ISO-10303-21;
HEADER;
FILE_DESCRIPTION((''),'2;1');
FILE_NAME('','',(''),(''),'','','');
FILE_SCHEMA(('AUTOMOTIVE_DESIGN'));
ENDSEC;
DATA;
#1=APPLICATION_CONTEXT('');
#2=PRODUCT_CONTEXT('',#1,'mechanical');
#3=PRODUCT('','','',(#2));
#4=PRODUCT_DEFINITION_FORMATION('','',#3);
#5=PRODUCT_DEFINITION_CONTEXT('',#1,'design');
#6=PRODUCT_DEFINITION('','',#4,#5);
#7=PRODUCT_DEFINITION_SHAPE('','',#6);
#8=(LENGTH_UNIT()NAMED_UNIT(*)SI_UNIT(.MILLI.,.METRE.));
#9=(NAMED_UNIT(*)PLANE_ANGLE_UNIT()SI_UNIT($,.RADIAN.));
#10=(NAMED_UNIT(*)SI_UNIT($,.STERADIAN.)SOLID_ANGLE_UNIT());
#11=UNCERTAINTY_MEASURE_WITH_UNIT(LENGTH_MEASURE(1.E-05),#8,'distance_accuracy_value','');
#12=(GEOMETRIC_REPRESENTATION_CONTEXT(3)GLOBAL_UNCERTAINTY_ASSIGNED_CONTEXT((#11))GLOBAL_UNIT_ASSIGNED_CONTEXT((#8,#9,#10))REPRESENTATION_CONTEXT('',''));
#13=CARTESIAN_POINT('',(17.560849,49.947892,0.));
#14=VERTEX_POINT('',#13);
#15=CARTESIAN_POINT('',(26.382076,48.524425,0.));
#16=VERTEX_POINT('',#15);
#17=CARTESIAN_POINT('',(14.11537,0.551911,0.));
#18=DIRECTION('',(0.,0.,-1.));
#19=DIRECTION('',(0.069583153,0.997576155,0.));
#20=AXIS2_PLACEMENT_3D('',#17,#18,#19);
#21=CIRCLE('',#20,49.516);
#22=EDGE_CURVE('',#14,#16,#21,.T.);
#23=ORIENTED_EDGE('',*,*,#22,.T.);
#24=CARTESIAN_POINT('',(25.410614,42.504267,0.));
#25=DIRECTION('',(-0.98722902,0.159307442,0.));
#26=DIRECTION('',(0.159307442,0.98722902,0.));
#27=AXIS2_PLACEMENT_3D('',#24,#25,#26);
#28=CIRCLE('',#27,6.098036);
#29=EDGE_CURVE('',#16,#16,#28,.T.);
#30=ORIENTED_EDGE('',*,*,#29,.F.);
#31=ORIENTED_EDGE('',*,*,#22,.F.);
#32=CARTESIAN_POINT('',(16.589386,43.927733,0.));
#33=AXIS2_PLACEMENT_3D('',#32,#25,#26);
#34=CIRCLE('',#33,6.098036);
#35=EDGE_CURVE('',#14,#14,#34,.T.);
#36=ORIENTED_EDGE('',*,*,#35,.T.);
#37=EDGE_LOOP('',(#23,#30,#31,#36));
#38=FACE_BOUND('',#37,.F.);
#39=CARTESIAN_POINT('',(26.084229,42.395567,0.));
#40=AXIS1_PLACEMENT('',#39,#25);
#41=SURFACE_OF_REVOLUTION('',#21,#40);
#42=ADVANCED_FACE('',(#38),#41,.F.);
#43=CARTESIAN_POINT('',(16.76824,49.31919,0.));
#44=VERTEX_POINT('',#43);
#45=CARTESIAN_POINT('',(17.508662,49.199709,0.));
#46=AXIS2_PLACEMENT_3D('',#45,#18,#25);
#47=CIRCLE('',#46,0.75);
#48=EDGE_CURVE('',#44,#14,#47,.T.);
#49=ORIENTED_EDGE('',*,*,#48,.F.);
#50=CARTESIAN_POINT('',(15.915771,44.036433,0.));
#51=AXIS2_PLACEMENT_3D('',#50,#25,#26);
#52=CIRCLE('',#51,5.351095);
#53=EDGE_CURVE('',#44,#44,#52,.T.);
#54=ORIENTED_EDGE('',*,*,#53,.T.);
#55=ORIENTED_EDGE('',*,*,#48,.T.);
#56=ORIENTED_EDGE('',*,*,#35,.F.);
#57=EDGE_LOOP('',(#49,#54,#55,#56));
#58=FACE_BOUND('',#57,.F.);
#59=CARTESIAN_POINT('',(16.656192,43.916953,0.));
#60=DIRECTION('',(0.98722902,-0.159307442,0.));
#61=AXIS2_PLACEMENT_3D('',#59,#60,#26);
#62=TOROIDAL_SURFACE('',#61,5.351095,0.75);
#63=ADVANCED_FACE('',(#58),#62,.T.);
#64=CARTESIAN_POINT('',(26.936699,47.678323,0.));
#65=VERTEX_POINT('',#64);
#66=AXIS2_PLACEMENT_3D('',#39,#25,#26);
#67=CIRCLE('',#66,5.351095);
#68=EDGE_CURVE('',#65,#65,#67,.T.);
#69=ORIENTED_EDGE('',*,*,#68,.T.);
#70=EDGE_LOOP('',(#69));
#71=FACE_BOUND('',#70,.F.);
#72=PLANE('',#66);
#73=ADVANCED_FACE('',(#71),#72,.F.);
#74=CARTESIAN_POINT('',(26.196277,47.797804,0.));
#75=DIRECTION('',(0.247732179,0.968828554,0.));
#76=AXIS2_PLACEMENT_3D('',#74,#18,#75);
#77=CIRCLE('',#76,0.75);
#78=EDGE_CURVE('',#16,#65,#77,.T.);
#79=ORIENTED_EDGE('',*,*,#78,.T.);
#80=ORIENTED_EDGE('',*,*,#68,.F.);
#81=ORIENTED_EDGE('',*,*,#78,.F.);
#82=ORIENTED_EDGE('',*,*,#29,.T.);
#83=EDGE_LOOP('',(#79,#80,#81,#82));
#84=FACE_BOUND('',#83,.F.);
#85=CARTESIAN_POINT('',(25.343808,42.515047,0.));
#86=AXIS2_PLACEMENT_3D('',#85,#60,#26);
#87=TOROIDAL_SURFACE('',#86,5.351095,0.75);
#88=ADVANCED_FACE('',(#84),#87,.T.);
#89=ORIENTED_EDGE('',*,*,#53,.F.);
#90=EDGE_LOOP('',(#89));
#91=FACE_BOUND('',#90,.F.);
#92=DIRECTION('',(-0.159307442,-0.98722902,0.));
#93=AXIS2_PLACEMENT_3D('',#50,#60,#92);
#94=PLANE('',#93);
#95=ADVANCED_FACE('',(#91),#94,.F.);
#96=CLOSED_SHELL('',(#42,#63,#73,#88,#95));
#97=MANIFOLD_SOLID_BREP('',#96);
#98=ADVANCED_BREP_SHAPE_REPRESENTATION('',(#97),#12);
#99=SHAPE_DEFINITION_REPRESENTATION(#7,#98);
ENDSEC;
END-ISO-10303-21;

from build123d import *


with BuildPart() as part:
    # Sketch1 → Revolve1 (revolve)
    with BuildSketch(Plane.XY):
        with BuildLine():
            Line((15.915770545, 44.036433328), (16.768239868, 49.319190003))
            ThreePointArc((16.768239868, 49.319190003), (17.042578966, 49.787303624), (17.560848998, 49.947891537))
            ThreePointArc((17.560848998, 49.947891537), (22.003636887, 49.435542829), (26.382076147, 48.524425343))
            ThreePointArc((26.382076147, 48.524425343), (26.823527709, 48.208968814), (26.936698778, 47.678323346))
            Line((26.936698778, 47.678323346), (26.084229455, 42.395566672))
            Line((26.084229455, 42.395566672), (15.915770545, 44.036433328))
        make_face()
    revolve(axis=Axis((26.084229455, 42.395566672, 0), (-0.98722902, 0.159307442, 0)))


solid = part.part
